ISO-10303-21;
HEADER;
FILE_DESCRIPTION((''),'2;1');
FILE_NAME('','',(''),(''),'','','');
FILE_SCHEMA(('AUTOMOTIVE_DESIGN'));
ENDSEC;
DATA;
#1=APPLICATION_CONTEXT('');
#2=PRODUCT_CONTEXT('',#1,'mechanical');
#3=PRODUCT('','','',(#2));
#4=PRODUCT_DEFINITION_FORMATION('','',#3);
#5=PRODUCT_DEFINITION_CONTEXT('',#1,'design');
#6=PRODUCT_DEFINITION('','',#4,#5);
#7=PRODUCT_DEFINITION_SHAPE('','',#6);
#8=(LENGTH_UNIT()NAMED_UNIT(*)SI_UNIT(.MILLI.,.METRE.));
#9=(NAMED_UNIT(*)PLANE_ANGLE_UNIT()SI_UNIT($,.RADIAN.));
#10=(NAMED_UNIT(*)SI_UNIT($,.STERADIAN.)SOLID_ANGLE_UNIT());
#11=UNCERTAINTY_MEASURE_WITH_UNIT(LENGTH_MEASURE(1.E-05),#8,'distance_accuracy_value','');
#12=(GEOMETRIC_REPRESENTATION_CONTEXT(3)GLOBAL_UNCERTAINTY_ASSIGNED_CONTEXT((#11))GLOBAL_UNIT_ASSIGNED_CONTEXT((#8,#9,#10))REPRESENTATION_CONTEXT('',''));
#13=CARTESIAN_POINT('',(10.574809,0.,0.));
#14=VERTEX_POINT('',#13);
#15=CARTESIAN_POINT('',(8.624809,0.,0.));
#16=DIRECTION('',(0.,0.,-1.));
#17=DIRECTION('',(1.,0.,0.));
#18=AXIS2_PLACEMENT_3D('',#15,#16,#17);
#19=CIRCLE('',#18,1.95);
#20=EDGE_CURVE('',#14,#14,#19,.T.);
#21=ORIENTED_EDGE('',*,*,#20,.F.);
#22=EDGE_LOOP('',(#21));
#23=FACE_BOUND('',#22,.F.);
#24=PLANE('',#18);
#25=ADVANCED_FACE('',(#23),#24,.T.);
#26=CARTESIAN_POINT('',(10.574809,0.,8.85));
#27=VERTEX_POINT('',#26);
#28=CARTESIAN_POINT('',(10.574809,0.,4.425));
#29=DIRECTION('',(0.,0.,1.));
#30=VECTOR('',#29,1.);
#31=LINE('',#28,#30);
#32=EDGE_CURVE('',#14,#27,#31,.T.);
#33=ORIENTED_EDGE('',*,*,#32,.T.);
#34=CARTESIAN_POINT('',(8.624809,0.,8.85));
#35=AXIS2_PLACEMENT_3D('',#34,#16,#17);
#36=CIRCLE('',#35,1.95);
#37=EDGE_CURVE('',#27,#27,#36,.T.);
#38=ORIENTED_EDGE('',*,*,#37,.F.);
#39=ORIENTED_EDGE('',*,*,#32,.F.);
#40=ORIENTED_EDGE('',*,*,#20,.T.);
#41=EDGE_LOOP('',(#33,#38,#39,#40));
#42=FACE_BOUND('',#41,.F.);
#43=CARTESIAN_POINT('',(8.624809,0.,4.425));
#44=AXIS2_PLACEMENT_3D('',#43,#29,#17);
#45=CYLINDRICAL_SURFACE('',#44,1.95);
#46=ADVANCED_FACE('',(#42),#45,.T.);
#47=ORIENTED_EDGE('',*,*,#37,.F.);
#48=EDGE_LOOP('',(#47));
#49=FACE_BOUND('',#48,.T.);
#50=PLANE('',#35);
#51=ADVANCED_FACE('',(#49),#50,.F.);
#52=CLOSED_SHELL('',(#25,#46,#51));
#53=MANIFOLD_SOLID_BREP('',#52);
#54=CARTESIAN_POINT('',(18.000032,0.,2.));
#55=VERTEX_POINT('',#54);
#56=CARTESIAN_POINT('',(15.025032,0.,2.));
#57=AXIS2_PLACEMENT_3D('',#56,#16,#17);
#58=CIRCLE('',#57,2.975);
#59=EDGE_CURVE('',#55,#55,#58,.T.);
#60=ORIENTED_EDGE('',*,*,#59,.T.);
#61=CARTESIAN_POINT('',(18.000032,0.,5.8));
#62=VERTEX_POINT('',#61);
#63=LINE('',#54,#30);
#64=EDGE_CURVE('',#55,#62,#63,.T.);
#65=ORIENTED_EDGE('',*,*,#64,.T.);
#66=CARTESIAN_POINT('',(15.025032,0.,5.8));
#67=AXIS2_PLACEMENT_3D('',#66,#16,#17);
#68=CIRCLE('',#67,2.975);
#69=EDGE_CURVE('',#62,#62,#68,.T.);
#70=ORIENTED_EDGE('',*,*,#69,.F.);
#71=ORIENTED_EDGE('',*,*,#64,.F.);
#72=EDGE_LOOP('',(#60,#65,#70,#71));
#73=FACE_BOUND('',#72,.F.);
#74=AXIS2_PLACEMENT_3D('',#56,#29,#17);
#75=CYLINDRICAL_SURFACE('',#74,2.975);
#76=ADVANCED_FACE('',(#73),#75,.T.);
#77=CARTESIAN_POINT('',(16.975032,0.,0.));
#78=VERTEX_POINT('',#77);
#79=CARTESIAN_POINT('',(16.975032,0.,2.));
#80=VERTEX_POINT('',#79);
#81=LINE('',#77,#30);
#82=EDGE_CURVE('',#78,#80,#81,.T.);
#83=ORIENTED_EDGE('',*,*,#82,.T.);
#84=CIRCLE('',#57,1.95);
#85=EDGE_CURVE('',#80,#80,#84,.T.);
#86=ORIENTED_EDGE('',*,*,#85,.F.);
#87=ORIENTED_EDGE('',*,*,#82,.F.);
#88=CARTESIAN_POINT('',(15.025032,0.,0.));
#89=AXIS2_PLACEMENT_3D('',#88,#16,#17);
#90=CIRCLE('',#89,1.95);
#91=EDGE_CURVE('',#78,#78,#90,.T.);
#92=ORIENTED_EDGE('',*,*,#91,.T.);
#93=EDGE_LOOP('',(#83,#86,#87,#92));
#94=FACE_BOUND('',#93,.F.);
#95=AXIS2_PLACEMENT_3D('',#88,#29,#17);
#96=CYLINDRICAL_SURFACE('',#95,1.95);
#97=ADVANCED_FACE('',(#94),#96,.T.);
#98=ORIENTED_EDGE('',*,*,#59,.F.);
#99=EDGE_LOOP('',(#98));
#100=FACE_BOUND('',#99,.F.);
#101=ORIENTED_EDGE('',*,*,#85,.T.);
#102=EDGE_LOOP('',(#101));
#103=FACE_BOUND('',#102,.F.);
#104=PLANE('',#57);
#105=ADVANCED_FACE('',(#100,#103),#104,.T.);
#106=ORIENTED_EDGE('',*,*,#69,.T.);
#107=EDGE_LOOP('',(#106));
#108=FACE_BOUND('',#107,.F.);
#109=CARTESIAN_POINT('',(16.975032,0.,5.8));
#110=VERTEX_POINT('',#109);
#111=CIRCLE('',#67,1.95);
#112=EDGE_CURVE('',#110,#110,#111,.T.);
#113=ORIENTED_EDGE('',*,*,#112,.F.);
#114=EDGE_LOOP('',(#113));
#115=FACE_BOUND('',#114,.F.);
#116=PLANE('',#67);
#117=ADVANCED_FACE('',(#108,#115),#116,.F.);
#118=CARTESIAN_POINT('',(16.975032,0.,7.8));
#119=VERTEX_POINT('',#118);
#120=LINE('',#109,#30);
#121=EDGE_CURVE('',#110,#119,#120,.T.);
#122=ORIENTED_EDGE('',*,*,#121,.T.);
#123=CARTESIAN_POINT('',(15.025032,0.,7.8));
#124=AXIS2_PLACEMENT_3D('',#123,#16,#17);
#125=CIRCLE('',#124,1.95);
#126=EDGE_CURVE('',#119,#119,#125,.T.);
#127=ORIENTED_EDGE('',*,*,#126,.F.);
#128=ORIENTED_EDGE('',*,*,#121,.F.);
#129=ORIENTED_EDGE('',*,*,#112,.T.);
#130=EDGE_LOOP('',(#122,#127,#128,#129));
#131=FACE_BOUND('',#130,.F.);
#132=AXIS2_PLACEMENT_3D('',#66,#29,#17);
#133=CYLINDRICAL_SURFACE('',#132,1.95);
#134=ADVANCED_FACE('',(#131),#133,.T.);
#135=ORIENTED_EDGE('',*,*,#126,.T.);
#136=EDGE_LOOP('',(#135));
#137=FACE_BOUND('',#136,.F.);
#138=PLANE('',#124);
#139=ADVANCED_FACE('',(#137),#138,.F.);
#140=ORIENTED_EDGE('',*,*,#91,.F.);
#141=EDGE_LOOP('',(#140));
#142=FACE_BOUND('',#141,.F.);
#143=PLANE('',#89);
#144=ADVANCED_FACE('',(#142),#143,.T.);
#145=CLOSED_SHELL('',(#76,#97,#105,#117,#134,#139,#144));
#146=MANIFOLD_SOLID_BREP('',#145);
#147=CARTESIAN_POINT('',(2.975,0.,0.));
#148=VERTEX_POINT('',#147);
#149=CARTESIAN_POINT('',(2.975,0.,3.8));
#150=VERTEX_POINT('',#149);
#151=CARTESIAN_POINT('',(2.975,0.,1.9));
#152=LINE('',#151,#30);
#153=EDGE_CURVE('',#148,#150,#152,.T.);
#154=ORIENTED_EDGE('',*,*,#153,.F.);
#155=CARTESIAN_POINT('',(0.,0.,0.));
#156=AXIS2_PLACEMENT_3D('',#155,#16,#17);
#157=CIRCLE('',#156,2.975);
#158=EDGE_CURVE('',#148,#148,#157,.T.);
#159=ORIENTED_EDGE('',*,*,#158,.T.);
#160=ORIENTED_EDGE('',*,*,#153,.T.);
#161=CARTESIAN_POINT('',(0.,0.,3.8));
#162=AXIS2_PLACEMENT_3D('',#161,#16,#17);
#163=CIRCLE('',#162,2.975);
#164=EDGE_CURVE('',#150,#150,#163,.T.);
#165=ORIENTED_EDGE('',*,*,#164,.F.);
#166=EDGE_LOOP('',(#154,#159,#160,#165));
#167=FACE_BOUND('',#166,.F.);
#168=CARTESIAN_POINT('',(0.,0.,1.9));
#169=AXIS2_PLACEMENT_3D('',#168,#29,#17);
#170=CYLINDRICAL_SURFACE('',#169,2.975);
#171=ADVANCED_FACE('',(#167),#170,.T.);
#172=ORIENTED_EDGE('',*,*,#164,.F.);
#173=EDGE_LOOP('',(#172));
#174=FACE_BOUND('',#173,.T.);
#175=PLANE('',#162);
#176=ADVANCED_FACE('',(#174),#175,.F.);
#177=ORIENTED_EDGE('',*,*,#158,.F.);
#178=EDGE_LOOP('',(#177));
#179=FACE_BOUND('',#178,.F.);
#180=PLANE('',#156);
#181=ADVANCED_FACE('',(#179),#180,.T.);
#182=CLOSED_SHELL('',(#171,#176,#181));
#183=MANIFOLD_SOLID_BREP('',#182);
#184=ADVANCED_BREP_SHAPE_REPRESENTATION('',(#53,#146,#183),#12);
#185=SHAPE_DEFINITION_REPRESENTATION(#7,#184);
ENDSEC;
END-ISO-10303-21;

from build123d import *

# Parameters (mm, degrees)
F0_W = 2.975
F0_H = 3.8
F2_W = 1.95
F2_H = 8.85


with BuildPart() as f1:
    # F0 (on Front) → F1 (revolve)
    with BuildSketch(Plane.XZ):
        with Locations((1.4875, 1.9)):
            Rectangle(F0_W, F0_H)
    revolve(axis=Axis((0, 0, 1.9), (0, 0, -1)))


with BuildPart() as f3:
    # F2 (on Front) → F3 (revolve)
    with BuildSketch(Plane.XZ):
        with Locations((9.599809, 4.425)):
            Rectangle(F2_W, F2_H)
    revolve(axis=Axis((8.624809, 0, 4.425), (0, 0, -1)))


with BuildPart() as f5:
    # F4 (on Front) → F5 (revolve)
    with BuildSketch(Plane.XZ):
        Polygon((15.025032, 7.8), (15.025032, 0), (16.975032, 0), (16.975032, 2), (18.000032, 2), (18.000032, 5.8), (16.975032, 5.8), (16.975032, 7.8), align=None)
    revolve(axis=Axis((15.025032, 0, 3.9), (0, 0, -1)))


solid = Compound([f1.part, f3.part, f5.part])
